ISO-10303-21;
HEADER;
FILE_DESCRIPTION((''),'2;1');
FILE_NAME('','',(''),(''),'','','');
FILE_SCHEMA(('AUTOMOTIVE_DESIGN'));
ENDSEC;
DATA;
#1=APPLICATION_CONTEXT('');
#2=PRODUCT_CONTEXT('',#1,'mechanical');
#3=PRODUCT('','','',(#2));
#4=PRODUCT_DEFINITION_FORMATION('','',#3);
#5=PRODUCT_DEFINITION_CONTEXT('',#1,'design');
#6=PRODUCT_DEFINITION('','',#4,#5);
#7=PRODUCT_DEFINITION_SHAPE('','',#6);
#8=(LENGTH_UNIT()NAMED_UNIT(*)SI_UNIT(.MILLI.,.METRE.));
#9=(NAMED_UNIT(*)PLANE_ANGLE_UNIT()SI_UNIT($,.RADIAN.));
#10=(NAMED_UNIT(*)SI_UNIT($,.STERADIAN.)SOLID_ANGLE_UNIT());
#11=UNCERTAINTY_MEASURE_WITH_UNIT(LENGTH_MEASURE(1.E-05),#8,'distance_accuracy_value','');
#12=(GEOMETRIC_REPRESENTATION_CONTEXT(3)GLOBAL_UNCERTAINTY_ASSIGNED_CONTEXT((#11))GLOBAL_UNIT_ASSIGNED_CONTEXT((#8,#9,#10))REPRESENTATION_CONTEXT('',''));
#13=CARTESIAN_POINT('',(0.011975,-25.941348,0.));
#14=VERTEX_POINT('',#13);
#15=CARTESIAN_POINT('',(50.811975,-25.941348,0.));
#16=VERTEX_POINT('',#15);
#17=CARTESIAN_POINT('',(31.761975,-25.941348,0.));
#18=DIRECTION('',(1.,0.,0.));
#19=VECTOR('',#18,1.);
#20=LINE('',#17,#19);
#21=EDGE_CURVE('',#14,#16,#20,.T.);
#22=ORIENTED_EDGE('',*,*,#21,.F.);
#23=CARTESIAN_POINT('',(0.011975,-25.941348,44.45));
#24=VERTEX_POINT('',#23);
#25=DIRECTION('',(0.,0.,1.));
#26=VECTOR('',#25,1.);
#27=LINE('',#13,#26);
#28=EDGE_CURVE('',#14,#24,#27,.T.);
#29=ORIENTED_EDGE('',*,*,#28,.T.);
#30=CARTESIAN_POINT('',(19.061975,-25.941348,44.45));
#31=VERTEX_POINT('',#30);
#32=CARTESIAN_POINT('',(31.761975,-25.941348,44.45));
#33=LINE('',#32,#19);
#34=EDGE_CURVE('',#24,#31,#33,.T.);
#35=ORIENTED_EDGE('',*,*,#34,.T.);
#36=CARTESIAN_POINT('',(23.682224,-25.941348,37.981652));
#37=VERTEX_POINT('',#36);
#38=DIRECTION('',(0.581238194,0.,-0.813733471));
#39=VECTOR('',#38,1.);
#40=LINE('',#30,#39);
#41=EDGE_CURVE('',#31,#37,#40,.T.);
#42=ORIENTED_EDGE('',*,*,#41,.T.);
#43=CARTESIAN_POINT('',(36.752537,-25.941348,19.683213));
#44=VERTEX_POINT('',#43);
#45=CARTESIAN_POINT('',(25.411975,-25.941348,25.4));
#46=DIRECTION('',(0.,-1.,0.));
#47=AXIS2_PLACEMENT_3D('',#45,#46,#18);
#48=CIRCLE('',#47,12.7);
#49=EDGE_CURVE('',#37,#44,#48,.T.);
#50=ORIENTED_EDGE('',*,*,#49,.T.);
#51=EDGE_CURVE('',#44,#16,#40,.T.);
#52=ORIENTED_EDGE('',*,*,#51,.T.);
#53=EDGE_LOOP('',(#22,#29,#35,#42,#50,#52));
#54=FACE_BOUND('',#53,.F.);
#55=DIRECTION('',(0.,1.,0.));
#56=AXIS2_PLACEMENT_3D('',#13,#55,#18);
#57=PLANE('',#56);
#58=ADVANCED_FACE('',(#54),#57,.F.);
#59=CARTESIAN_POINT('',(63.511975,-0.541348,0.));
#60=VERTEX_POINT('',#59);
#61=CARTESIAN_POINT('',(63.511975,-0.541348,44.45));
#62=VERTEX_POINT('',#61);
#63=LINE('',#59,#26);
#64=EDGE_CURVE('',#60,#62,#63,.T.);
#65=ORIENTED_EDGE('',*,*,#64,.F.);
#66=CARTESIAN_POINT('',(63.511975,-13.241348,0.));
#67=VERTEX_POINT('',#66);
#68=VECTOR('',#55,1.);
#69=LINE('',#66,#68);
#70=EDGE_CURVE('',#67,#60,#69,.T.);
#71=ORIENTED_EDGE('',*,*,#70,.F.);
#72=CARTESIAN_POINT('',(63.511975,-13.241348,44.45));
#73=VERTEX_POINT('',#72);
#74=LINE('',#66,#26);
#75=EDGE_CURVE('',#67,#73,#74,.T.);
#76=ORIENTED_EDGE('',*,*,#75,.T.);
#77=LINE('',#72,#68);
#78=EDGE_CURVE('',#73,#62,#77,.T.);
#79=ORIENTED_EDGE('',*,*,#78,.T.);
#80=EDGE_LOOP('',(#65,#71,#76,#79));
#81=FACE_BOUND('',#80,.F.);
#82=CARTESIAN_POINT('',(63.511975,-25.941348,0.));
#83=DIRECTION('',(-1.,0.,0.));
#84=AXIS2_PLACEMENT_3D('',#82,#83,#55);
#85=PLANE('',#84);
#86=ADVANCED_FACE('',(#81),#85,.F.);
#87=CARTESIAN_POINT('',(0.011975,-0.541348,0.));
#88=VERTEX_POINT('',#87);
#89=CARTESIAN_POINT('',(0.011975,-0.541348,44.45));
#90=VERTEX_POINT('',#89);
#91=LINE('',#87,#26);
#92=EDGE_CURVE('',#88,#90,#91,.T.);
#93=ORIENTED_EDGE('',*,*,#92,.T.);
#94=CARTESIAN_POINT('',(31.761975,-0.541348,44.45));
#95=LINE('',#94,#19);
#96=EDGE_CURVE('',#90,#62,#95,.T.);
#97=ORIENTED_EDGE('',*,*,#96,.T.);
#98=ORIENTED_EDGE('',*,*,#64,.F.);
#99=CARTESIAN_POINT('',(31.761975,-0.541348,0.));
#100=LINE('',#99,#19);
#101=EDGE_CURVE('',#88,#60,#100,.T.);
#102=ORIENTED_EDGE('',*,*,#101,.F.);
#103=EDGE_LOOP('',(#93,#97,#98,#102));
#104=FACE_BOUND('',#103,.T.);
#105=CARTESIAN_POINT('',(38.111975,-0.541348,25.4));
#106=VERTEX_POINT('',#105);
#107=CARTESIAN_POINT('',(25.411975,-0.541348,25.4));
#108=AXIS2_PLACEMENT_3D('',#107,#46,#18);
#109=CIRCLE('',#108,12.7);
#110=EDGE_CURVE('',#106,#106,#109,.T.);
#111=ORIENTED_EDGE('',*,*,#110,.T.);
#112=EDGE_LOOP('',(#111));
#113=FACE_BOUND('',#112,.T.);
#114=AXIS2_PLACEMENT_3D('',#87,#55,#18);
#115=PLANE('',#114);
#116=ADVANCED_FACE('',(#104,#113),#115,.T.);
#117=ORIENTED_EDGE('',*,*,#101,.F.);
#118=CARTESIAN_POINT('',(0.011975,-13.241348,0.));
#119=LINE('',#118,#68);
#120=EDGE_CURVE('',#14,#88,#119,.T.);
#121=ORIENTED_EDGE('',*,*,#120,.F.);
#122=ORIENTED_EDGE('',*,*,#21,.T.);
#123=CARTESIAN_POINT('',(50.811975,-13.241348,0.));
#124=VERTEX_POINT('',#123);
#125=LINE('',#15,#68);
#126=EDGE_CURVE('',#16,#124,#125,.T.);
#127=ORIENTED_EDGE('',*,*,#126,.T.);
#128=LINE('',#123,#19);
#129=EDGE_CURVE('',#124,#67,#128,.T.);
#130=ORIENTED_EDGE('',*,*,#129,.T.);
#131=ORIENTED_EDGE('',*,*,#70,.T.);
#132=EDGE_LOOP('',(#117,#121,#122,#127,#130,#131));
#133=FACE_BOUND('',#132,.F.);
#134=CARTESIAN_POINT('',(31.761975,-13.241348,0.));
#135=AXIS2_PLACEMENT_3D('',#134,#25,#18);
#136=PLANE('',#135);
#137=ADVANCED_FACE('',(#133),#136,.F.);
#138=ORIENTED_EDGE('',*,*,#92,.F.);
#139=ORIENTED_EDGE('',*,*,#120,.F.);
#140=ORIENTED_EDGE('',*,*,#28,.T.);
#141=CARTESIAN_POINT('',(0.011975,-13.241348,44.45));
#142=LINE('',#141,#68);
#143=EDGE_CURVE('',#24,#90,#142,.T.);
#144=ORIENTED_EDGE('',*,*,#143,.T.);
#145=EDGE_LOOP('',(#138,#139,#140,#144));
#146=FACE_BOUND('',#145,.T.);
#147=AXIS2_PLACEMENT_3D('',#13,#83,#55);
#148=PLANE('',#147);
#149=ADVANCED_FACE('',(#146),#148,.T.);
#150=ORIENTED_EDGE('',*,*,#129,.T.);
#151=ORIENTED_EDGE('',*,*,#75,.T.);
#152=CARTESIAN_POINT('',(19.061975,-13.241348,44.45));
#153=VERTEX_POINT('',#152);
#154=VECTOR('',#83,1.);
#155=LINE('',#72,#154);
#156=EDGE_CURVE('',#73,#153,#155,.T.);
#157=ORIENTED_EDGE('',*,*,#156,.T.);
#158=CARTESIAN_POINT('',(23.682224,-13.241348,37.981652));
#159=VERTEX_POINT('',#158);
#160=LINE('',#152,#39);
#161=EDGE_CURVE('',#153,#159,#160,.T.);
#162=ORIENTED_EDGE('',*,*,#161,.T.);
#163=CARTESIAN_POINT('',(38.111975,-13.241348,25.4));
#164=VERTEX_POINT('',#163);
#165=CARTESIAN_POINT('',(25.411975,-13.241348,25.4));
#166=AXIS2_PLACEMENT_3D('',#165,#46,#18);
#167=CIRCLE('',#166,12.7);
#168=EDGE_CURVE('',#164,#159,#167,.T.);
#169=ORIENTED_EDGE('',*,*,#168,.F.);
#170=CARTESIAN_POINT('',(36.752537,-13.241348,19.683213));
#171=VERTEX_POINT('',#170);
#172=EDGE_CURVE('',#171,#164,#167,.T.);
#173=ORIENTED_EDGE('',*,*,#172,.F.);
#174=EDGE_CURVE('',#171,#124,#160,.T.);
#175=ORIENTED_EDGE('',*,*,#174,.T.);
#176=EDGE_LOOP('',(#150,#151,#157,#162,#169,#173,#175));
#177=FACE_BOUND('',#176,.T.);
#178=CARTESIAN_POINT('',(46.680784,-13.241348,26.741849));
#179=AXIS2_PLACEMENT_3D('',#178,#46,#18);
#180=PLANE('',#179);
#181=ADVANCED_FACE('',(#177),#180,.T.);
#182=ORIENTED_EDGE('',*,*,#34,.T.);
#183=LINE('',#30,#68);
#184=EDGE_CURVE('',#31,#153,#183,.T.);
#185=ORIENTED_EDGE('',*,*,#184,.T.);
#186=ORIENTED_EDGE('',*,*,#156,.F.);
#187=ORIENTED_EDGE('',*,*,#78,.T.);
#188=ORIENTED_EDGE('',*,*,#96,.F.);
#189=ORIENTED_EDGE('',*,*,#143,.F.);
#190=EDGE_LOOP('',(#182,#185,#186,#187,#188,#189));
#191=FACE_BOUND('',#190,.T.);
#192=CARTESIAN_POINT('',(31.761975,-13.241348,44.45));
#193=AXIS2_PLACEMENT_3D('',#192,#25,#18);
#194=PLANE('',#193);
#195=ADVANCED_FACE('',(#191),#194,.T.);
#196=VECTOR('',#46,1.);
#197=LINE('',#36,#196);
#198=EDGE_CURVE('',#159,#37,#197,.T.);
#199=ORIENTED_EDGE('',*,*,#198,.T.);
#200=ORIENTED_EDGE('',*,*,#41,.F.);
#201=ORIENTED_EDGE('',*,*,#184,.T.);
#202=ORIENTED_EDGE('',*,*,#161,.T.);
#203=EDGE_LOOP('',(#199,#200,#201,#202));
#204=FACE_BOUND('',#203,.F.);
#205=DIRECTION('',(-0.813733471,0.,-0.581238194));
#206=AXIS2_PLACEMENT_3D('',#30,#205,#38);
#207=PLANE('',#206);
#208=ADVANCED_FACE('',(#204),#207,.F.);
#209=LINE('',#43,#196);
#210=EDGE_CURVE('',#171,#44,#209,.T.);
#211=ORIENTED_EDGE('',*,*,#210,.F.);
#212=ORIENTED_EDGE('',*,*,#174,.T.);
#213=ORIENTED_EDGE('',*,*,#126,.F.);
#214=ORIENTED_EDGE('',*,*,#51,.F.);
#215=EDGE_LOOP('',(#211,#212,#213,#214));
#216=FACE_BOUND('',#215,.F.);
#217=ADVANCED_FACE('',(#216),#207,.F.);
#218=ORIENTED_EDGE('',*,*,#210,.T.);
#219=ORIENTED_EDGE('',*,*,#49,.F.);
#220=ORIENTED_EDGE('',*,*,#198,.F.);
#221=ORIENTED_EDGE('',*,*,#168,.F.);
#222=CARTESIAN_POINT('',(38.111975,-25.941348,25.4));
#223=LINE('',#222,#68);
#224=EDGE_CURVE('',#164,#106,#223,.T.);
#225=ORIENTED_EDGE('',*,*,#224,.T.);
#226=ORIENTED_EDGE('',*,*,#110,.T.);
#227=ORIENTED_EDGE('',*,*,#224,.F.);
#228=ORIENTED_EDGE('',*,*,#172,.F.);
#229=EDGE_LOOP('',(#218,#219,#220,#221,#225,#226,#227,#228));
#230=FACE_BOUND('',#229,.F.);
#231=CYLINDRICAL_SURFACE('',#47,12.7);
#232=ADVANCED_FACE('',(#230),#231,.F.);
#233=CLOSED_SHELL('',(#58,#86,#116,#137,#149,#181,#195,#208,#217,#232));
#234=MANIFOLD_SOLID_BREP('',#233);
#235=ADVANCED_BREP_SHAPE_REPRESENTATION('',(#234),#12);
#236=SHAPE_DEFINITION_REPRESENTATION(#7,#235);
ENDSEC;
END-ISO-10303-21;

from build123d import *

# Parameters (mm, degrees)
F0_W     = 63.5
F0_H     = 25.4
F1_DEPTH = 44.45
F3_DEPTH = 12.7
F4_R     = 12.7
F5_DEPTH = 25.4


with BuildPart() as f1:
    # F0 (on Top) → F1 (new body)
    with BuildSketch(Plane.XY):
        with Locations((31.761975, -13.241348)):
            Rectangle(F0_W, F0_H)
    extrude(amount=F1_DEPTH)

    # F2 (on face) → F3 (cut)
    with BuildSketch(Plane.XZ.offset(25.941348)):
        Polygon((63.511975, 44.45), (19.061975, 44.45), (50.811975, 0), (63.511975, 0), align=None)
    extrude(amount=-F3_DEPTH, mode=Mode.SUBTRACT)

    # F4 (on face) → F5 (cut)
    with BuildSketch(Plane.XZ.offset(25.941348)):
        with Locations((25.411975, 25.4)):
            Circle(F4_R)
    extrude(amount=-F5_DEPTH, mode=Mode.SUBTRACT)


solid = f1.part
